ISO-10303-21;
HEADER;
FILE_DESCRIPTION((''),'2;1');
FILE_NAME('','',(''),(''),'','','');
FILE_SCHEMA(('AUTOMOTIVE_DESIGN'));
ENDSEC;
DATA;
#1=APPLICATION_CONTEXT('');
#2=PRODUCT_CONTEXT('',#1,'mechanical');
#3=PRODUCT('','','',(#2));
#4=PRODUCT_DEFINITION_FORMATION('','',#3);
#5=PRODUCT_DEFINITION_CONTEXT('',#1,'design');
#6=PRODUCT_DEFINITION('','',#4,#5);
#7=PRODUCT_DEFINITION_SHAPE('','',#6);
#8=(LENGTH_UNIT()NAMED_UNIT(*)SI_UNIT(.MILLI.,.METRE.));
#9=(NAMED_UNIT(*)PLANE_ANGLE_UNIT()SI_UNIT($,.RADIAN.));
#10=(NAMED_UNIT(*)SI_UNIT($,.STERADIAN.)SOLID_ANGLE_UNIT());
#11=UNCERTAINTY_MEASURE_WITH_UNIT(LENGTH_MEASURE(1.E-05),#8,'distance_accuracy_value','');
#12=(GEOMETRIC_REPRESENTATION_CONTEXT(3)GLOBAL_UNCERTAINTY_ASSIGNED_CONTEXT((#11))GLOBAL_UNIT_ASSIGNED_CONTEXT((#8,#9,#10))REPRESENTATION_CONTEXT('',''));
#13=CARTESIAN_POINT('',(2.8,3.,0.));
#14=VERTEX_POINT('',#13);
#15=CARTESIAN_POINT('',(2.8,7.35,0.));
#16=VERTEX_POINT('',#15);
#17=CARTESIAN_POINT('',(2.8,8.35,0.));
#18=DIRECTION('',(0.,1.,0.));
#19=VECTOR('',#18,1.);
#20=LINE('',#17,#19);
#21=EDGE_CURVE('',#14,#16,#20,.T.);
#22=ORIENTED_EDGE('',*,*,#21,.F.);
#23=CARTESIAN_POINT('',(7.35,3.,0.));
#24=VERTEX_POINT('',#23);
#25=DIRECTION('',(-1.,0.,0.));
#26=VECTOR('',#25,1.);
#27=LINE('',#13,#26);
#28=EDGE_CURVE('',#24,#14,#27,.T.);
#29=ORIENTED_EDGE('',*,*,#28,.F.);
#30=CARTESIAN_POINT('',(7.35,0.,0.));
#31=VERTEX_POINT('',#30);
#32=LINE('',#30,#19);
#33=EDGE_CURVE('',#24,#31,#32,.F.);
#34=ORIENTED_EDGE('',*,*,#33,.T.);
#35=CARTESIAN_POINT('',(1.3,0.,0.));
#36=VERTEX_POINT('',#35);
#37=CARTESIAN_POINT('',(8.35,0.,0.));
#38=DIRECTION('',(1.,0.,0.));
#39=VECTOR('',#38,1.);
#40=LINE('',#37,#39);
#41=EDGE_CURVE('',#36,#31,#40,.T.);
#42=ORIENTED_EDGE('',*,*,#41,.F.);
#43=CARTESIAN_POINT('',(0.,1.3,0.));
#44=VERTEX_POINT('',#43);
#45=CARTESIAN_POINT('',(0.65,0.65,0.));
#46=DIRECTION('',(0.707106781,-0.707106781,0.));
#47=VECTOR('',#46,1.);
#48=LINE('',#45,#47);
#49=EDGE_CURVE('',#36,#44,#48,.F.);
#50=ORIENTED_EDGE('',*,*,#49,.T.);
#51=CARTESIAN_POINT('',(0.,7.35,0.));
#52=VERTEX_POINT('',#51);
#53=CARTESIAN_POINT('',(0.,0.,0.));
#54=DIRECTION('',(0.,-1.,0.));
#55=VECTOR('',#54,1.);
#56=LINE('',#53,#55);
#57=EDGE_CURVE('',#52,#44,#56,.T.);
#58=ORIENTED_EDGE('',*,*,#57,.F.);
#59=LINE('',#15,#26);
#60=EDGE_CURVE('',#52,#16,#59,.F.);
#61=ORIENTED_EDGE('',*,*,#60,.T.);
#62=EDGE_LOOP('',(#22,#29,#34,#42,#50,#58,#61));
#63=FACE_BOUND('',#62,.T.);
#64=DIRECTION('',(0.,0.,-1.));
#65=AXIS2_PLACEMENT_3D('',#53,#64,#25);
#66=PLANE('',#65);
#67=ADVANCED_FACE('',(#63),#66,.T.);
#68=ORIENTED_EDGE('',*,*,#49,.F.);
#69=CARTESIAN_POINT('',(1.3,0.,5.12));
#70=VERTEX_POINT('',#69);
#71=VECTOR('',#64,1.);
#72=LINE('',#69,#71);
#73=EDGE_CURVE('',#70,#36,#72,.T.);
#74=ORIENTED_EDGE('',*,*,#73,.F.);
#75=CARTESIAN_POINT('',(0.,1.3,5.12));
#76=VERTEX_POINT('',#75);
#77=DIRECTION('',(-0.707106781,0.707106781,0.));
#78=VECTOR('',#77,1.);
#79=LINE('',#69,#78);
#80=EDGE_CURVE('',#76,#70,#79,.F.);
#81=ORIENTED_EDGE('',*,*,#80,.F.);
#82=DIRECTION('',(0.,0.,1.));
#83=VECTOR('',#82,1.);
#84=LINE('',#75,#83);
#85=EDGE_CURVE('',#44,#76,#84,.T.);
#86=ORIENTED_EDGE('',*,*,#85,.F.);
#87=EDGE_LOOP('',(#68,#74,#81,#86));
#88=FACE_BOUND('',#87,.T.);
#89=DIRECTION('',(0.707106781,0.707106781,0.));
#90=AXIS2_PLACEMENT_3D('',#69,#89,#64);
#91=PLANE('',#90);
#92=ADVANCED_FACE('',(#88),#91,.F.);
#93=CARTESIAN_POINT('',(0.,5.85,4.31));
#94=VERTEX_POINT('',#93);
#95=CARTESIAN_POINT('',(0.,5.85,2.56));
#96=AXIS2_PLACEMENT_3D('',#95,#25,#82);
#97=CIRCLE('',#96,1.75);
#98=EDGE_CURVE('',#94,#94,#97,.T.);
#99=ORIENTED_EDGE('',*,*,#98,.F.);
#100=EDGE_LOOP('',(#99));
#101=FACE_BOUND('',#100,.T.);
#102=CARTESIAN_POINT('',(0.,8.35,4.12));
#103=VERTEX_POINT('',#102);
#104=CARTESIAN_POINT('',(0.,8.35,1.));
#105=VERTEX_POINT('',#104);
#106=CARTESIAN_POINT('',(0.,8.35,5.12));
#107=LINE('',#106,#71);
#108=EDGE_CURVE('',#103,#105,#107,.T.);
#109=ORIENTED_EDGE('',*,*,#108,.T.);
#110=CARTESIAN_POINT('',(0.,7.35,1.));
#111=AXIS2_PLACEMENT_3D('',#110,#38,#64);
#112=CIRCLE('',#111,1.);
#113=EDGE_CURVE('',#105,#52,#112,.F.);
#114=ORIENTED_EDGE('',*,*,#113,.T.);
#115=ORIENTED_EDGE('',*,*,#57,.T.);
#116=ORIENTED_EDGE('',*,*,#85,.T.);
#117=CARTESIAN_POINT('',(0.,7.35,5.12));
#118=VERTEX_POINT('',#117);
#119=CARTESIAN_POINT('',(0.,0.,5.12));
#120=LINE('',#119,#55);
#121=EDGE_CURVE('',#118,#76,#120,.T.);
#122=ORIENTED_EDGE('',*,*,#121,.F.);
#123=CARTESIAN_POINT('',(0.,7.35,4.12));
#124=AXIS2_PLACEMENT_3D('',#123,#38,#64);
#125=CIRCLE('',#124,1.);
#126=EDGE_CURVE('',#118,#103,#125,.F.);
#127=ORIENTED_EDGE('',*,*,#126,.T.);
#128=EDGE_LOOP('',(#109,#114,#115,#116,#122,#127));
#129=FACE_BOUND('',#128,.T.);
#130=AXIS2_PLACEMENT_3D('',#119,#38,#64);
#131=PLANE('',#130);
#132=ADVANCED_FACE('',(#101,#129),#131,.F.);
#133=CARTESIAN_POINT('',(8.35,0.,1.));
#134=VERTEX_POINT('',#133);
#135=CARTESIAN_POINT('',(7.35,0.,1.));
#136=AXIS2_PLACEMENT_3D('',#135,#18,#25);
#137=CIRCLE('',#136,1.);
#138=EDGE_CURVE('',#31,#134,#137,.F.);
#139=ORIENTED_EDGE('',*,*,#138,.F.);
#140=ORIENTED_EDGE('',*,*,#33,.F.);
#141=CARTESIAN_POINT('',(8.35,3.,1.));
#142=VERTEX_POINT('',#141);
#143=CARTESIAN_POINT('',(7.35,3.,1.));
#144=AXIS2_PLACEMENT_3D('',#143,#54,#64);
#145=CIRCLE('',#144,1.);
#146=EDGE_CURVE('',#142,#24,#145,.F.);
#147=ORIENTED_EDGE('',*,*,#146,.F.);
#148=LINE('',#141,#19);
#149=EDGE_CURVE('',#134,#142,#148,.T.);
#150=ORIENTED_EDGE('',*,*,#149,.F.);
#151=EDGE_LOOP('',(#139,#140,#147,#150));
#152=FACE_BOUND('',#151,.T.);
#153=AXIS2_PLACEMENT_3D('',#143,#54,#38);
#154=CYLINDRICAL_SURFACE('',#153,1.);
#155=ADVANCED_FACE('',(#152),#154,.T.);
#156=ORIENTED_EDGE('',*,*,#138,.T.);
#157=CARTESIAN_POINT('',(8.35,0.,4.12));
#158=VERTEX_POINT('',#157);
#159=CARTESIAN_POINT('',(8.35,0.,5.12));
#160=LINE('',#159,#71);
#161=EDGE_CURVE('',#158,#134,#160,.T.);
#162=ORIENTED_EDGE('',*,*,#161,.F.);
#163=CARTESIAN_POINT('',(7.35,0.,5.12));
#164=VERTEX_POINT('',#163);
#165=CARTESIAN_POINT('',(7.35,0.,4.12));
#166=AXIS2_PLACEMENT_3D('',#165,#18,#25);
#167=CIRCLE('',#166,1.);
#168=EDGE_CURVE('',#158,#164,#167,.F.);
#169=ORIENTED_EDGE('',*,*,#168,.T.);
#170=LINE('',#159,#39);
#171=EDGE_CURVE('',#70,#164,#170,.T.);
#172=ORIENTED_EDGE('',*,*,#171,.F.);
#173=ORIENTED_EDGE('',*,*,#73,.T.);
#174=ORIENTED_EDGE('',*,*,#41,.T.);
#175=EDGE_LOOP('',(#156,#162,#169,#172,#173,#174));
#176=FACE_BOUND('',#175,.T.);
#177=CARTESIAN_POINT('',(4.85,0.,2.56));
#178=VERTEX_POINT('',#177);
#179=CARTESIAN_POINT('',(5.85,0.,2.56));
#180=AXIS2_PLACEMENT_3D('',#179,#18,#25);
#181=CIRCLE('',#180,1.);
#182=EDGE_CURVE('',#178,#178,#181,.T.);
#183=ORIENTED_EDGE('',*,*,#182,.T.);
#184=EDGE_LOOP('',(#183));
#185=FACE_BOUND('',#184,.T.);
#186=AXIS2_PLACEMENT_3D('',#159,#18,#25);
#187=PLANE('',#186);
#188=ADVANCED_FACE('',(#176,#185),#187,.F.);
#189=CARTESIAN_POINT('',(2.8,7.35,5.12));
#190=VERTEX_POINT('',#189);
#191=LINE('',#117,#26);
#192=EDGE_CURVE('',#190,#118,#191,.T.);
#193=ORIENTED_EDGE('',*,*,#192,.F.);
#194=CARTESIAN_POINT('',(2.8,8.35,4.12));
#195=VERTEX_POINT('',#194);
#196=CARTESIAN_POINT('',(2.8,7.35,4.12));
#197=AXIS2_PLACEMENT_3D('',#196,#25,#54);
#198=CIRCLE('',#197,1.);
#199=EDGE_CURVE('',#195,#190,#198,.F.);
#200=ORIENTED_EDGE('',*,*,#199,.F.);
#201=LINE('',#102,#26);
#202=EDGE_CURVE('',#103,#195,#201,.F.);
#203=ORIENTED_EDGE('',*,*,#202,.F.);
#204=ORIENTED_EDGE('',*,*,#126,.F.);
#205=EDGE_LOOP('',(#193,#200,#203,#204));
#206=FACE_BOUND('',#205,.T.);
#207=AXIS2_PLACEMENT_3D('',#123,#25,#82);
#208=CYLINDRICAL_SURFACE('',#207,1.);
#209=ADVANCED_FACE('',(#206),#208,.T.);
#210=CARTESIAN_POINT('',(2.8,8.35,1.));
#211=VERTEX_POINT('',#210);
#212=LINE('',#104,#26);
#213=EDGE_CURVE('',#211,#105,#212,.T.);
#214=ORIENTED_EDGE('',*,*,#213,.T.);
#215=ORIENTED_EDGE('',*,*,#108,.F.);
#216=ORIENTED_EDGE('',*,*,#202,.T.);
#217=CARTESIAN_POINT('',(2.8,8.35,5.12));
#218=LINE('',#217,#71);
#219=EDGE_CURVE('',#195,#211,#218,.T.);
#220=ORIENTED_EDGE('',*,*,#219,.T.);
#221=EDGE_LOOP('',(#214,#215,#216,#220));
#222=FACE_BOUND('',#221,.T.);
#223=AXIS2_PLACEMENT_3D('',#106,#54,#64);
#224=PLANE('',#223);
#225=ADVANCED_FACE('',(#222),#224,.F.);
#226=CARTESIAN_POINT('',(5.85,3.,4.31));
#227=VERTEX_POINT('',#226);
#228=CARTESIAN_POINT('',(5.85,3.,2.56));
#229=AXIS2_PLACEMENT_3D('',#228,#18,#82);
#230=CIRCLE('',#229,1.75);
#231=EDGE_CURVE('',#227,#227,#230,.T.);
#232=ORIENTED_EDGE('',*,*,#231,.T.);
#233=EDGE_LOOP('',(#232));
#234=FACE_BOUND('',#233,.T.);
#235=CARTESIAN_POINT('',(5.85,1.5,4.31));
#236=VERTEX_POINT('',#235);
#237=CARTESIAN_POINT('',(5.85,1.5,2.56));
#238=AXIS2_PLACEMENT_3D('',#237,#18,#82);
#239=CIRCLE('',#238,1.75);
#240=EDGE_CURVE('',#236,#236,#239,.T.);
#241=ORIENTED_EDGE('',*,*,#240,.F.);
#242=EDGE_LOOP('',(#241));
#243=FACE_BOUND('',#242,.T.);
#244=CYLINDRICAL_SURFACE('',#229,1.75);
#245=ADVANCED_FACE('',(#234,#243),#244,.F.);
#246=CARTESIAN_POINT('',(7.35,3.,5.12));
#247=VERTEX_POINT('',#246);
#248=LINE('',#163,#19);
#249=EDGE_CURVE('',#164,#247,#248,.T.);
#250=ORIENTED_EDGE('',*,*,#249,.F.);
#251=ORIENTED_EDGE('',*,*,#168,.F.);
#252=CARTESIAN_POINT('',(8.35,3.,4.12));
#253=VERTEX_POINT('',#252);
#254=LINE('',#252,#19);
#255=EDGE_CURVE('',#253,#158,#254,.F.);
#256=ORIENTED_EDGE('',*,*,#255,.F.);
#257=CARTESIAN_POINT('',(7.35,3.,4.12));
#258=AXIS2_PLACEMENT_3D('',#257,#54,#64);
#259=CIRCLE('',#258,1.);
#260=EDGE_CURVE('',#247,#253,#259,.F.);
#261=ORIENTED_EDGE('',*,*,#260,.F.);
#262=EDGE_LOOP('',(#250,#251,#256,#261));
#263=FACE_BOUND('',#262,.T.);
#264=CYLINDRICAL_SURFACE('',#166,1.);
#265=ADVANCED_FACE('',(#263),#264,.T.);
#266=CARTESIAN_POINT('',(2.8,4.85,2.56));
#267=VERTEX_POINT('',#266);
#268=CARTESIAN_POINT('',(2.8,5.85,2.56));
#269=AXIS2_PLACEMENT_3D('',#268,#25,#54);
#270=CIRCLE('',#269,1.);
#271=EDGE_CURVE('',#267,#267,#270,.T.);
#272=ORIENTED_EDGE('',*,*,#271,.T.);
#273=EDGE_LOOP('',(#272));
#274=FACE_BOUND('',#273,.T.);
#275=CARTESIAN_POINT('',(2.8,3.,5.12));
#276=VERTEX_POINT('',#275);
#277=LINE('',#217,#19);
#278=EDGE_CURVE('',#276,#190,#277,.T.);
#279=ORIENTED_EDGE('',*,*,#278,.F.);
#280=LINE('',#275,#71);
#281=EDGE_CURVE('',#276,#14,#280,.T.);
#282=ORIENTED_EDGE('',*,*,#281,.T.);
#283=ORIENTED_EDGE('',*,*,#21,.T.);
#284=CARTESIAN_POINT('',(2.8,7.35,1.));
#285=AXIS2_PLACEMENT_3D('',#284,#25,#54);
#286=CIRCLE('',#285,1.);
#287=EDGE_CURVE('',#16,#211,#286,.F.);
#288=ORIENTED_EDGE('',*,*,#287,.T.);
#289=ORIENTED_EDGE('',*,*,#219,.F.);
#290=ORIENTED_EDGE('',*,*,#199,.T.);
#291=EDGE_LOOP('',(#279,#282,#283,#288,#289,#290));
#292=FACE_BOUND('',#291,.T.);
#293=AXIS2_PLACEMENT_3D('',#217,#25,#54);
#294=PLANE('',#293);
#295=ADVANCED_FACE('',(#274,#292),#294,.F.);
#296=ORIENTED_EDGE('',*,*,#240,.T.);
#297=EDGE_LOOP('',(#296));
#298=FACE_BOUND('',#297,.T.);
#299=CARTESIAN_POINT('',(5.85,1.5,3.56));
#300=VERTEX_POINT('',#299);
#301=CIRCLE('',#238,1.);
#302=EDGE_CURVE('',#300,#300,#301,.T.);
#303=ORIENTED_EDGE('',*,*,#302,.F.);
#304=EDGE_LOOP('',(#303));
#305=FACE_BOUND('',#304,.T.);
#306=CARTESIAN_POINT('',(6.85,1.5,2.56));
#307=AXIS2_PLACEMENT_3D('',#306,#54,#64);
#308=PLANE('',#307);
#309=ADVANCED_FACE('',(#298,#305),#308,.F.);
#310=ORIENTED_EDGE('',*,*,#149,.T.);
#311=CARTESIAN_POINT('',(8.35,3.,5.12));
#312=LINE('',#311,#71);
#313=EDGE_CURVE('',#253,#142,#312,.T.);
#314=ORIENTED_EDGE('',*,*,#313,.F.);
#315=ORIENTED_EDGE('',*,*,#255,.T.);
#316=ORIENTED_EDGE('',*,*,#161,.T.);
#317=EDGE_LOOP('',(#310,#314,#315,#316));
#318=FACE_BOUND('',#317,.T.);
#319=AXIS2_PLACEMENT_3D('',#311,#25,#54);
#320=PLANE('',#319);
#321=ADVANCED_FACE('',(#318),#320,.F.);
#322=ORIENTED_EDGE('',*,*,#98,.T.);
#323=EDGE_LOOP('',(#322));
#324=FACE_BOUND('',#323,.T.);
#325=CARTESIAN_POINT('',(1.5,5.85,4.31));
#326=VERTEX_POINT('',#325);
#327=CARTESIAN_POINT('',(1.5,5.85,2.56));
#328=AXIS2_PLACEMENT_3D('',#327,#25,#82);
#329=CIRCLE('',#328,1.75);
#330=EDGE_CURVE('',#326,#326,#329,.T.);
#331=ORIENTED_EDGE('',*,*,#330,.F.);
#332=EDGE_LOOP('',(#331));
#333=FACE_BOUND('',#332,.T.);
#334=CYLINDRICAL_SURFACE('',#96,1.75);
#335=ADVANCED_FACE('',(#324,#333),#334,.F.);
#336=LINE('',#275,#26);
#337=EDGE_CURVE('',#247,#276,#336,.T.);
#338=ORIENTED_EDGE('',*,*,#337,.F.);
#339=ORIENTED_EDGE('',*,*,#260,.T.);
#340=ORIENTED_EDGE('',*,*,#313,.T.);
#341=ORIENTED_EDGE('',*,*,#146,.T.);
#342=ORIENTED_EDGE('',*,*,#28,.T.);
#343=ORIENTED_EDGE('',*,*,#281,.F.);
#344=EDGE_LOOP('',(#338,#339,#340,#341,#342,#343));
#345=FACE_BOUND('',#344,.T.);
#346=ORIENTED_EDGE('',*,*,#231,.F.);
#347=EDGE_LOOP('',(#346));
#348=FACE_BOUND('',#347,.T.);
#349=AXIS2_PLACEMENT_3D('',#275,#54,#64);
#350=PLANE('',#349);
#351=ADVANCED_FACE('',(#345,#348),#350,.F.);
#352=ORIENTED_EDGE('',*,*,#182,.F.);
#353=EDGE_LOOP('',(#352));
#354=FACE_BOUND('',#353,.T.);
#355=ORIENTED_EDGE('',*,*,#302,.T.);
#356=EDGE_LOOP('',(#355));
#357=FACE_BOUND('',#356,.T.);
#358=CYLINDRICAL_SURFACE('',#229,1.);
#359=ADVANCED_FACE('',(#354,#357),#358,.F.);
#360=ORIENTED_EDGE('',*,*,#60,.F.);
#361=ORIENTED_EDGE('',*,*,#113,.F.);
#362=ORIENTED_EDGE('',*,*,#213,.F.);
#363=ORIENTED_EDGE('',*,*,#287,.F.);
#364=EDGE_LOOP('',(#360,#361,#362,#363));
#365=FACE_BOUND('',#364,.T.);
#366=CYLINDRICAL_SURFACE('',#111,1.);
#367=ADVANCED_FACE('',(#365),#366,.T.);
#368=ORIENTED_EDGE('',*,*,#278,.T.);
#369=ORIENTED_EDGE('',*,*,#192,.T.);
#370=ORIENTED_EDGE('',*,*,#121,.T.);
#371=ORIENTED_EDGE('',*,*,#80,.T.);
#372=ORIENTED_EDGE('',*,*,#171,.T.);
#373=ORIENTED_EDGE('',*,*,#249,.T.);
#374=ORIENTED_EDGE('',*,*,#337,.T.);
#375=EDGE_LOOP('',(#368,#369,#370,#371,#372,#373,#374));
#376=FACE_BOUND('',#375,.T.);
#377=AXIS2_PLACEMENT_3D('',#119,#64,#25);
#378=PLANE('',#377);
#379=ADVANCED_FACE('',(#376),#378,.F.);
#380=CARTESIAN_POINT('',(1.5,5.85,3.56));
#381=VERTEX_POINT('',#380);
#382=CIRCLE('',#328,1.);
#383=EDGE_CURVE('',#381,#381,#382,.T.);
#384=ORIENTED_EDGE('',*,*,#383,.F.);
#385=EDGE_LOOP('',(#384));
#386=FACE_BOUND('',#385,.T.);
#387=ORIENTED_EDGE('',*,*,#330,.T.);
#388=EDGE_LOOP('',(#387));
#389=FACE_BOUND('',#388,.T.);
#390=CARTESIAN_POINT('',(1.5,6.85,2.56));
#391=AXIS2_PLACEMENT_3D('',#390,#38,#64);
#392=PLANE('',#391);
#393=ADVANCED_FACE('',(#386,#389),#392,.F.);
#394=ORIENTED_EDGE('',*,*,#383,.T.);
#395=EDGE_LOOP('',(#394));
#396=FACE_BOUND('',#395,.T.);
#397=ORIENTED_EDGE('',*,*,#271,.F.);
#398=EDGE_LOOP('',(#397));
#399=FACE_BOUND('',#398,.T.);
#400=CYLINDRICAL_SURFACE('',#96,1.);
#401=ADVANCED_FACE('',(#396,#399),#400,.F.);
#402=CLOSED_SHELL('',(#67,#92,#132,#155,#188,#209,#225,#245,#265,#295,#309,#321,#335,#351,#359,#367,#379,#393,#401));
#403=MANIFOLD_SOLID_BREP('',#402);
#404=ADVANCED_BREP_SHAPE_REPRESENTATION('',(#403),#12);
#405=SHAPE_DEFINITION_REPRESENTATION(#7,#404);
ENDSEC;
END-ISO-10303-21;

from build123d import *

# Parameters (mm, degrees)
BOSS_EXTRU_1_DEPTH                                 = 5.12
CHAMBRAGE_POUR_VIS_T_TE_HEXAGONALE_M21_D           = 2
CHAMBRAGE_POUR_VIS_T_TE_HEXAGONALE_M21_CBORE_D     = 3.5
CHAMBRAGE_POUR_VIS_T_TE_HEXAGONALE_M21_CBORE_DEPTH = 1.5
CHAMBRAGE_POUR_VIS_T_TE_HEXAGONALE_M22_D           = 2
CHAMBRAGE_POUR_VIS_T_TE_HEXAGONALE_M22_CBORE_D     = 3.5
CHAMBRAGE_POUR_VIS_T_TE_HEXAGONALE_M22_CBORE_DEPTH = 1.5
CHANFREIN1_SIZE                                    = 1.3
CONG_1_R                                           = 1


with BuildPart() as part:
    # Esquisse1 → Boss.-Extru.1 (new body)
    with BuildSketch(Plane.XY):
        Polygon((0, 0), (0, 8.35), (2.8, 8.35), (2.8, 3), (8.35, 3), (8.35, 0), align=None)
    extrude(amount=BOSS_EXTRU_1_DEPTH)

    # Chambrage pour vis à tête hexagonale M21 (through all)
    with Locations(Plane(origin=(0, 3, 0), x_dir=(-1, 0, 0), z_dir=(0, 1, 0))):
        with Locations((-5.85, 2.56)):
            CounterBoreHole(CHAMBRAGE_POUR_VIS_T_TE_HEXAGONALE_M21_D / 2, CHAMBRAGE_POUR_VIS_T_TE_HEXAGONALE_M21_CBORE_D / 2, CHAMBRAGE_POUR_VIS_T_TE_HEXAGONALE_M21_CBORE_DEPTH)

    # Chambrage pour vis à tête hexagonale M22 (through all)
    with Locations(Plane.ZY):
        with Locations((2.56, 5.85)):
            CounterBoreHole(CHAMBRAGE_POUR_VIS_T_TE_HEXAGONALE_M22_D / 2, CHAMBRAGE_POUR_VIS_T_TE_HEXAGONALE_M22_CBORE_D / 2, CHAMBRAGE_POUR_VIS_T_TE_HEXAGONALE_M22_CBORE_DEPTH)

    # Chanfrein1
    chanfrein1_edges = [part.edges().sort_by_distance(p)[0] for p in [
        (0, 0, 2.56),
    ]]
    chamfer(chanfrein1_edges, length=CHANFREIN1_SIZE)

    # Congé1
    cong_1_edges = [part.edges().sort_by_distance(p)[0] for p in [
        (1.4, 8.35, 5.12),
        (1.4, 8.35, 0),
        (8.35, 1.5, 5.12),
        (8.35, 1.5, 0),
    ]]
    fillet(cong_1_edges, radius=CONG_1_R)


solid = part.part
